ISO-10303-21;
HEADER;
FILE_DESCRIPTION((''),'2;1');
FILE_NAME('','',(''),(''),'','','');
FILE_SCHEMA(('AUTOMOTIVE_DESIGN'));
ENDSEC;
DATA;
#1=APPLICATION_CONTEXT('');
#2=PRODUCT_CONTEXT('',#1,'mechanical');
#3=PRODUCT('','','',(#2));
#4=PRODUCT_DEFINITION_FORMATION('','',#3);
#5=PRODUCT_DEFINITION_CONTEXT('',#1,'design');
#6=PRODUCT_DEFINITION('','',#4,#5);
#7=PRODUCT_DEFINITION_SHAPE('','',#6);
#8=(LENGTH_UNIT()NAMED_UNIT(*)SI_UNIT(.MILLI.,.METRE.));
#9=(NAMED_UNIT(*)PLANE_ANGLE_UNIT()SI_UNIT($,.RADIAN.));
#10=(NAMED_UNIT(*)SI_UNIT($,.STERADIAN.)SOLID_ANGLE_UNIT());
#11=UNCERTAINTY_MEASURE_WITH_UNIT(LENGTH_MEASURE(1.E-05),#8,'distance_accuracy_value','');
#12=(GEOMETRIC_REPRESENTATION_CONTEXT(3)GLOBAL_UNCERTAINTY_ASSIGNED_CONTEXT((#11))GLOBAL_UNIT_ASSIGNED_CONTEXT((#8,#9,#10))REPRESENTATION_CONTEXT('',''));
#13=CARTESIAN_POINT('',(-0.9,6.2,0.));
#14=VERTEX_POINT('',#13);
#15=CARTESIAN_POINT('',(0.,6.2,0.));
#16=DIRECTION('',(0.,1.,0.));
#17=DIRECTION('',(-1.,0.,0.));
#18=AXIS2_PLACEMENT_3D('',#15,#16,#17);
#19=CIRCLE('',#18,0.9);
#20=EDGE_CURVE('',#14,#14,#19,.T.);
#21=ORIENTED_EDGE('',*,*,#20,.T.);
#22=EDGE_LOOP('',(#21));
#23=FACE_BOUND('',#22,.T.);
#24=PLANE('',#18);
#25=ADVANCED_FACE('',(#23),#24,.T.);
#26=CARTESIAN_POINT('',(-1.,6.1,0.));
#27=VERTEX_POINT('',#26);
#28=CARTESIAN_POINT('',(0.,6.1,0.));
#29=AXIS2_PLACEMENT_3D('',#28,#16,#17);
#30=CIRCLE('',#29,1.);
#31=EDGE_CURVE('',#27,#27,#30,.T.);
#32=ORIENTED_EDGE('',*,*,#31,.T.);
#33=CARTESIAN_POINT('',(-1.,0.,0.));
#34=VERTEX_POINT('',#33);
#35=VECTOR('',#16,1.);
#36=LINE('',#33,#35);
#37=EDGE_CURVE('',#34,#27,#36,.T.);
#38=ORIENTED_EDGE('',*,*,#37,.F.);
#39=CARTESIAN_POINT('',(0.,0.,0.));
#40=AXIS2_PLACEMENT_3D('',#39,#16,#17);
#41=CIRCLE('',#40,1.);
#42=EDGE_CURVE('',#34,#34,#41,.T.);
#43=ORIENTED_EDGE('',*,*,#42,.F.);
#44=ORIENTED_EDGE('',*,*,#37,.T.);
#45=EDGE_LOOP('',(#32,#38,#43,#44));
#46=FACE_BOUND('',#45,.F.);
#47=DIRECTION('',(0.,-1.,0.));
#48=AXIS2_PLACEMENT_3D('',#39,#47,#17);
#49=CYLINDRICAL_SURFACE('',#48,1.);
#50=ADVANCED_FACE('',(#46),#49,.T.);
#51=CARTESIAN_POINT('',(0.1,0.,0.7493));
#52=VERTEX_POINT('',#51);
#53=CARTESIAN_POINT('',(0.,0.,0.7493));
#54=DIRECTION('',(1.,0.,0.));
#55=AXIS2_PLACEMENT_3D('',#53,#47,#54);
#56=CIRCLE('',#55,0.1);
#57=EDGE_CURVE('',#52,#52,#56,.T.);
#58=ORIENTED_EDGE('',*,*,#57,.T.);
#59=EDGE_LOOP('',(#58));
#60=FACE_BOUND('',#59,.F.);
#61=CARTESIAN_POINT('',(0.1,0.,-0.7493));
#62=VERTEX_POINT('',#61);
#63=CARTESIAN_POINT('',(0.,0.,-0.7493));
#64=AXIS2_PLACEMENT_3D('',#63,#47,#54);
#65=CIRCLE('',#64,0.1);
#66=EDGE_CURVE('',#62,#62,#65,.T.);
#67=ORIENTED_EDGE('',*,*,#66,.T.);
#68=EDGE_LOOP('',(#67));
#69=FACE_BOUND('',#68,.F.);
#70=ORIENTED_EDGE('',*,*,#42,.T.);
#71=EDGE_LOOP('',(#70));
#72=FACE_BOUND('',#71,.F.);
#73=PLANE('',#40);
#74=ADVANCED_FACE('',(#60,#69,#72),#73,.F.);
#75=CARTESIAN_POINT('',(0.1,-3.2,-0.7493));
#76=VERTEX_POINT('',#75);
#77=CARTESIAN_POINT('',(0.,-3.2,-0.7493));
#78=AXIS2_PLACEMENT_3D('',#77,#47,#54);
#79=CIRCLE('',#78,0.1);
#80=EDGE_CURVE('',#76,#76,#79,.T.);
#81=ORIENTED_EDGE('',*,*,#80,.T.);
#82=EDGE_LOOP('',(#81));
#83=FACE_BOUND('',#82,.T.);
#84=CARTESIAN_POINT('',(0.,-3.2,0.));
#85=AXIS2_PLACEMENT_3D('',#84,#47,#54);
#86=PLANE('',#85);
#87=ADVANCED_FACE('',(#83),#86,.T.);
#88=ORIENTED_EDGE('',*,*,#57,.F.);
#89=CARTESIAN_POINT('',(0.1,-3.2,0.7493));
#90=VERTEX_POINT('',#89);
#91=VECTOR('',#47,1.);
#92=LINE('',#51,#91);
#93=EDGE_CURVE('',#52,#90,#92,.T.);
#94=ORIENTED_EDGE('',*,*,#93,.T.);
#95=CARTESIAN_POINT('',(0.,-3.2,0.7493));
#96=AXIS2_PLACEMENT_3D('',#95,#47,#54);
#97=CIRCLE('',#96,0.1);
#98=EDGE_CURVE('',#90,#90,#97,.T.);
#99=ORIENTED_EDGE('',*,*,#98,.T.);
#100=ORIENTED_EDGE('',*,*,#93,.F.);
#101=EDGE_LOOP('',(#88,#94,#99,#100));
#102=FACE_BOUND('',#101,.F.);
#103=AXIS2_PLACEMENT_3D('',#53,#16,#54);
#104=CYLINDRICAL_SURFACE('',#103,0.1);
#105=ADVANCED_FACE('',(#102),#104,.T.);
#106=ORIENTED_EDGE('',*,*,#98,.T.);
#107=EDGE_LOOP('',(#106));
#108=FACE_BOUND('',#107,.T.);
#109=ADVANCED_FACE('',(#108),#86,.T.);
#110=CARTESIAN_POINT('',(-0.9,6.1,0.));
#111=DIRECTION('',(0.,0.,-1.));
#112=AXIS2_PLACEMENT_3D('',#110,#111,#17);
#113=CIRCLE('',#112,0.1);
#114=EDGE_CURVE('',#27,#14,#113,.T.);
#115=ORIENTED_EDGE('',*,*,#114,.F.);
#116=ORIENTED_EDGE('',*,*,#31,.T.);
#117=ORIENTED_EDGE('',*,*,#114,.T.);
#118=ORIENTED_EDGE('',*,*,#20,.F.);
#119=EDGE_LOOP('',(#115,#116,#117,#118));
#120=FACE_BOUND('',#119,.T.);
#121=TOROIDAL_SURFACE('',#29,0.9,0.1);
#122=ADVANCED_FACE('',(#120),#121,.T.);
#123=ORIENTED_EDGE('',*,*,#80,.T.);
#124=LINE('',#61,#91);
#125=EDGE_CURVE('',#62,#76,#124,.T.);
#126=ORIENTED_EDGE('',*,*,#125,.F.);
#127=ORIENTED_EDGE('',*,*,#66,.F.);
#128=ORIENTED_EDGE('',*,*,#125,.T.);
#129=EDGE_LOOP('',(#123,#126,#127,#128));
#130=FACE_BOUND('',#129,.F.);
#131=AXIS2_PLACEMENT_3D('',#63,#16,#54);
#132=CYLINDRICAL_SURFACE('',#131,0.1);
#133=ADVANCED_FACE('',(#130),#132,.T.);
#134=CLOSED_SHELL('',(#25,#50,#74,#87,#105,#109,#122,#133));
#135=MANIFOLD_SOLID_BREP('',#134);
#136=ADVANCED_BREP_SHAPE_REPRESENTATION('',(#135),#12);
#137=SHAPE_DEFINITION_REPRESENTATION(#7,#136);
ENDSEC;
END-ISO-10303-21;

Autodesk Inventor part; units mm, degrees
ref_plane "YZ Plane" through (0, 0, 0) normal (1, 0, 0) x (0, 1, 0)
ref_plane "XZ Plane" through (0, 0, 0) normal (0, 1, 0) x (-1, 0, 0)
ref_plane "XY Plane" through (0, 0, 0) normal (0, 0, 1) x (1, 0, 0)
sketch "Sketch1" plane through (0, 0, 0) normal (0, 1, 0) x (-1, 0, 0)
  circle A0 centre (0, 0) radius 1
  dimension "d0" = 2
extrude "Extrusion1" add sketch "Sketch1" along normal blind 6.2
fillet "Fillet1" radius 0.1 1 edges at (1, 6.2, 0)
sketch "Sketch2" plane through (0, 0, 0) normal (0, -1, 0) x (1, 0, 0)
  circle A0 centre (0, 0.7493) radius 0.1
  circle A1 centre (0, -0.7493) radius 0.1
  point P0 (0, 0)
  dimension "d4" = 0.2
  dimension "d5" = 0.2
  dimension "d6" = 0.7493
  dimension "d7" = 0.7493
extrude "Extrusion2" add sketch "Sketch2" along normal blind 3.2
properties part number "CFS-20632768EZBB_Watch_Crystal"
